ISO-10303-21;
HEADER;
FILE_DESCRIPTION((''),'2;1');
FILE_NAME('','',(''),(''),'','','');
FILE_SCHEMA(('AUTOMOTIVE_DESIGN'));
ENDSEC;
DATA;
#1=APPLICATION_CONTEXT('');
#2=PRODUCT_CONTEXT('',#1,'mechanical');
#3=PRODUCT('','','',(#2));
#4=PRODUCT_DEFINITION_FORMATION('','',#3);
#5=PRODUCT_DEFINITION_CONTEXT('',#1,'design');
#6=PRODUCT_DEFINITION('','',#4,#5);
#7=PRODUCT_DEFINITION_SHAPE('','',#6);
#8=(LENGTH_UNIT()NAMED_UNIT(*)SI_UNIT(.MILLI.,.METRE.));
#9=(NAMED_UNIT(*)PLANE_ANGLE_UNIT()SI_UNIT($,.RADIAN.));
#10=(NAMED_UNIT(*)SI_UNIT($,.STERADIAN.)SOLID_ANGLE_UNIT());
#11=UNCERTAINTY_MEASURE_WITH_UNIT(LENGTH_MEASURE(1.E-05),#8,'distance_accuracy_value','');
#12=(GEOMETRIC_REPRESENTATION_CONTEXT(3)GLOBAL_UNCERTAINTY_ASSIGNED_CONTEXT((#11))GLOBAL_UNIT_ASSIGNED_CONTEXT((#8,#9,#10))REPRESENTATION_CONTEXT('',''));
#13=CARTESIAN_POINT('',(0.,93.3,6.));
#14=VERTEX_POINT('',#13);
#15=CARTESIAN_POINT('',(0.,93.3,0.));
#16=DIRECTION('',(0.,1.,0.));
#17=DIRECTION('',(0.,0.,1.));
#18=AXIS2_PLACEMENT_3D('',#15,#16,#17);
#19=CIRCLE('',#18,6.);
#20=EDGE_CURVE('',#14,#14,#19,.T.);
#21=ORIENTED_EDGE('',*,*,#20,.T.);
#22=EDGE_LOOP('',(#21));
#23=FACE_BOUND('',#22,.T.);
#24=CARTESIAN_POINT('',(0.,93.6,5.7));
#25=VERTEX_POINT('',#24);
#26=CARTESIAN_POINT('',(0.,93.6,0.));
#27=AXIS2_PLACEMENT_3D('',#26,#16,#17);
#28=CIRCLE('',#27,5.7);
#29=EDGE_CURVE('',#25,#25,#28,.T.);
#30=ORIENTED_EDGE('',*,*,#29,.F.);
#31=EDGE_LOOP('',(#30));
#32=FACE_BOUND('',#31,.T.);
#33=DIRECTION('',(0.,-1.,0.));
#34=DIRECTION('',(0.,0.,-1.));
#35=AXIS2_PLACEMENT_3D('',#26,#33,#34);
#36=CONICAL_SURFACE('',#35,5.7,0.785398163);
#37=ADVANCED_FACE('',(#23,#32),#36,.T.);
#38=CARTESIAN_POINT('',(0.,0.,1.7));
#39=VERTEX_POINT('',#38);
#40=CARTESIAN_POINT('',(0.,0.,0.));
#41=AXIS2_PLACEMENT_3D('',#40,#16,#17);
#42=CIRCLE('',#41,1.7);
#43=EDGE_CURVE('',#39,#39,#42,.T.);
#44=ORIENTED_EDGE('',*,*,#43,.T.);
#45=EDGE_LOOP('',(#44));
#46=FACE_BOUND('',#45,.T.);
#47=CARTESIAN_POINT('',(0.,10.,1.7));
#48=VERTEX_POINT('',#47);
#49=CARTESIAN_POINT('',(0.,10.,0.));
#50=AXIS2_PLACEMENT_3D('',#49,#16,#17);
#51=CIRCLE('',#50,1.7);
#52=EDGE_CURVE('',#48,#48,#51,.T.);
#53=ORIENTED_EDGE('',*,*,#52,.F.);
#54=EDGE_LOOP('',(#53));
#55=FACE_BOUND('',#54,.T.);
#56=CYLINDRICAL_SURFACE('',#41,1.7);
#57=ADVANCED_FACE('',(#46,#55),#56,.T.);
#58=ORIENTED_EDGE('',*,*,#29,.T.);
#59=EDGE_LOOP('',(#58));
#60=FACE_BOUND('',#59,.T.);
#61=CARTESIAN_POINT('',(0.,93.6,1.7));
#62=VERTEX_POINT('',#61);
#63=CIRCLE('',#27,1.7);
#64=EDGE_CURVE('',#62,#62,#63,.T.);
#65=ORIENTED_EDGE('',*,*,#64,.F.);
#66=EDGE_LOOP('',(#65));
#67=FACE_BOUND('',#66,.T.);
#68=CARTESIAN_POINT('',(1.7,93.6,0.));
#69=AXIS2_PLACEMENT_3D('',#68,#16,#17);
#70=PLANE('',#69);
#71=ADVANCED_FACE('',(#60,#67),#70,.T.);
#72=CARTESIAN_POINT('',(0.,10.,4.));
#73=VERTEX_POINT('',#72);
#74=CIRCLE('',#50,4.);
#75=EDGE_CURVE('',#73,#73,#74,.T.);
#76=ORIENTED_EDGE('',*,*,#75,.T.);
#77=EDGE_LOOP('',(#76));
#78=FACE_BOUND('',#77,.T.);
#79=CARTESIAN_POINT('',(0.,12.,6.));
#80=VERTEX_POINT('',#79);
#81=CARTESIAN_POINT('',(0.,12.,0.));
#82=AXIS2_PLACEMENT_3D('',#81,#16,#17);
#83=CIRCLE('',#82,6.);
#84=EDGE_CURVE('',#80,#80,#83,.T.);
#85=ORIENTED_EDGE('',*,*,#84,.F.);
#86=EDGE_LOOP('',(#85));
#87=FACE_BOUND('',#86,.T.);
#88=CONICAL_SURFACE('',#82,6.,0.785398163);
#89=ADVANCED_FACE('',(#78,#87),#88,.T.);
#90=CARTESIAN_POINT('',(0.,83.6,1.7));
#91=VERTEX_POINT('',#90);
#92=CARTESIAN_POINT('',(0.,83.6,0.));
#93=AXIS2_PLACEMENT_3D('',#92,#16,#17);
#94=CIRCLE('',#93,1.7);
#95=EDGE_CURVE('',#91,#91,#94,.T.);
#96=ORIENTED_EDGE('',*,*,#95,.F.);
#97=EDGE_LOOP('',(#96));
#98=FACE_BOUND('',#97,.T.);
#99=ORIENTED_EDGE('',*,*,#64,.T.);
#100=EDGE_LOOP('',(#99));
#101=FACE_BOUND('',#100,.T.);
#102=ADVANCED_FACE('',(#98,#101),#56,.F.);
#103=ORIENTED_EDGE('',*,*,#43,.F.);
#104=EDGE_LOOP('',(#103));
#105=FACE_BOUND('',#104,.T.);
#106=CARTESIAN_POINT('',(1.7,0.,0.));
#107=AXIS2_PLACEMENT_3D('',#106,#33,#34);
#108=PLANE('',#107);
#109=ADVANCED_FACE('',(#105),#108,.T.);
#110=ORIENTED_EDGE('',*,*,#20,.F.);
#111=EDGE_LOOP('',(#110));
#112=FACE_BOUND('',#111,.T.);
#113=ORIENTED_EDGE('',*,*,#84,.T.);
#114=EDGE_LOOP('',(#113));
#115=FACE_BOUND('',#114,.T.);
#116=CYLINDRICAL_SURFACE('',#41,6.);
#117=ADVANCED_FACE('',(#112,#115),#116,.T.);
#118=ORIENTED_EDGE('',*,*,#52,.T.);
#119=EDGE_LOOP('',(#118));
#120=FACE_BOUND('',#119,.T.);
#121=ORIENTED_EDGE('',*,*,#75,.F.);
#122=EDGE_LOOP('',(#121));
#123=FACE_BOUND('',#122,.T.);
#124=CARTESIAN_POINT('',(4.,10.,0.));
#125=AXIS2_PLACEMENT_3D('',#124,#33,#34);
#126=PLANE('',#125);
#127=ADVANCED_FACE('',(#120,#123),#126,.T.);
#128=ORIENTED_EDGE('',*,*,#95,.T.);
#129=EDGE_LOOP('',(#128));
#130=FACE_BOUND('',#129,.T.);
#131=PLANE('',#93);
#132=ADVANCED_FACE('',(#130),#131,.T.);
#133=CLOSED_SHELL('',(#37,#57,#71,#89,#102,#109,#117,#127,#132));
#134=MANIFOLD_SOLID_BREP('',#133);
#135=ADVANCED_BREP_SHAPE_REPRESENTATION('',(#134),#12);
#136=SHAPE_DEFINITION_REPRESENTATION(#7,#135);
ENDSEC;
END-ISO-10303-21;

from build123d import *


with BuildPart() as part:
    # Esboço1 → Revolução1 (revolve)
    with BuildSketch(Plane(origin=(0, 0, 0), x_dir=(-1, 0, 0), z_dir=(0, 0, -1)), mode=Mode.PRIVATE) as revolu_o1_sk:
        Polygon((-1.7, 0), (0, 0), (0, 83.6), (-1.7, 83.6), (-1.7, 93.6), (-5.7, 93.6), (-6, 93.3), (-6, 12), (-4, 10), (-1.7, 10), align=None)
    revolve(revolu_o1_sk.sketch.rotate(Axis((0, 0, 0), (0, 1, 0)), 270), axis=Axis((0, 0, 0), (0, 1, 0)))


solid = part.part
